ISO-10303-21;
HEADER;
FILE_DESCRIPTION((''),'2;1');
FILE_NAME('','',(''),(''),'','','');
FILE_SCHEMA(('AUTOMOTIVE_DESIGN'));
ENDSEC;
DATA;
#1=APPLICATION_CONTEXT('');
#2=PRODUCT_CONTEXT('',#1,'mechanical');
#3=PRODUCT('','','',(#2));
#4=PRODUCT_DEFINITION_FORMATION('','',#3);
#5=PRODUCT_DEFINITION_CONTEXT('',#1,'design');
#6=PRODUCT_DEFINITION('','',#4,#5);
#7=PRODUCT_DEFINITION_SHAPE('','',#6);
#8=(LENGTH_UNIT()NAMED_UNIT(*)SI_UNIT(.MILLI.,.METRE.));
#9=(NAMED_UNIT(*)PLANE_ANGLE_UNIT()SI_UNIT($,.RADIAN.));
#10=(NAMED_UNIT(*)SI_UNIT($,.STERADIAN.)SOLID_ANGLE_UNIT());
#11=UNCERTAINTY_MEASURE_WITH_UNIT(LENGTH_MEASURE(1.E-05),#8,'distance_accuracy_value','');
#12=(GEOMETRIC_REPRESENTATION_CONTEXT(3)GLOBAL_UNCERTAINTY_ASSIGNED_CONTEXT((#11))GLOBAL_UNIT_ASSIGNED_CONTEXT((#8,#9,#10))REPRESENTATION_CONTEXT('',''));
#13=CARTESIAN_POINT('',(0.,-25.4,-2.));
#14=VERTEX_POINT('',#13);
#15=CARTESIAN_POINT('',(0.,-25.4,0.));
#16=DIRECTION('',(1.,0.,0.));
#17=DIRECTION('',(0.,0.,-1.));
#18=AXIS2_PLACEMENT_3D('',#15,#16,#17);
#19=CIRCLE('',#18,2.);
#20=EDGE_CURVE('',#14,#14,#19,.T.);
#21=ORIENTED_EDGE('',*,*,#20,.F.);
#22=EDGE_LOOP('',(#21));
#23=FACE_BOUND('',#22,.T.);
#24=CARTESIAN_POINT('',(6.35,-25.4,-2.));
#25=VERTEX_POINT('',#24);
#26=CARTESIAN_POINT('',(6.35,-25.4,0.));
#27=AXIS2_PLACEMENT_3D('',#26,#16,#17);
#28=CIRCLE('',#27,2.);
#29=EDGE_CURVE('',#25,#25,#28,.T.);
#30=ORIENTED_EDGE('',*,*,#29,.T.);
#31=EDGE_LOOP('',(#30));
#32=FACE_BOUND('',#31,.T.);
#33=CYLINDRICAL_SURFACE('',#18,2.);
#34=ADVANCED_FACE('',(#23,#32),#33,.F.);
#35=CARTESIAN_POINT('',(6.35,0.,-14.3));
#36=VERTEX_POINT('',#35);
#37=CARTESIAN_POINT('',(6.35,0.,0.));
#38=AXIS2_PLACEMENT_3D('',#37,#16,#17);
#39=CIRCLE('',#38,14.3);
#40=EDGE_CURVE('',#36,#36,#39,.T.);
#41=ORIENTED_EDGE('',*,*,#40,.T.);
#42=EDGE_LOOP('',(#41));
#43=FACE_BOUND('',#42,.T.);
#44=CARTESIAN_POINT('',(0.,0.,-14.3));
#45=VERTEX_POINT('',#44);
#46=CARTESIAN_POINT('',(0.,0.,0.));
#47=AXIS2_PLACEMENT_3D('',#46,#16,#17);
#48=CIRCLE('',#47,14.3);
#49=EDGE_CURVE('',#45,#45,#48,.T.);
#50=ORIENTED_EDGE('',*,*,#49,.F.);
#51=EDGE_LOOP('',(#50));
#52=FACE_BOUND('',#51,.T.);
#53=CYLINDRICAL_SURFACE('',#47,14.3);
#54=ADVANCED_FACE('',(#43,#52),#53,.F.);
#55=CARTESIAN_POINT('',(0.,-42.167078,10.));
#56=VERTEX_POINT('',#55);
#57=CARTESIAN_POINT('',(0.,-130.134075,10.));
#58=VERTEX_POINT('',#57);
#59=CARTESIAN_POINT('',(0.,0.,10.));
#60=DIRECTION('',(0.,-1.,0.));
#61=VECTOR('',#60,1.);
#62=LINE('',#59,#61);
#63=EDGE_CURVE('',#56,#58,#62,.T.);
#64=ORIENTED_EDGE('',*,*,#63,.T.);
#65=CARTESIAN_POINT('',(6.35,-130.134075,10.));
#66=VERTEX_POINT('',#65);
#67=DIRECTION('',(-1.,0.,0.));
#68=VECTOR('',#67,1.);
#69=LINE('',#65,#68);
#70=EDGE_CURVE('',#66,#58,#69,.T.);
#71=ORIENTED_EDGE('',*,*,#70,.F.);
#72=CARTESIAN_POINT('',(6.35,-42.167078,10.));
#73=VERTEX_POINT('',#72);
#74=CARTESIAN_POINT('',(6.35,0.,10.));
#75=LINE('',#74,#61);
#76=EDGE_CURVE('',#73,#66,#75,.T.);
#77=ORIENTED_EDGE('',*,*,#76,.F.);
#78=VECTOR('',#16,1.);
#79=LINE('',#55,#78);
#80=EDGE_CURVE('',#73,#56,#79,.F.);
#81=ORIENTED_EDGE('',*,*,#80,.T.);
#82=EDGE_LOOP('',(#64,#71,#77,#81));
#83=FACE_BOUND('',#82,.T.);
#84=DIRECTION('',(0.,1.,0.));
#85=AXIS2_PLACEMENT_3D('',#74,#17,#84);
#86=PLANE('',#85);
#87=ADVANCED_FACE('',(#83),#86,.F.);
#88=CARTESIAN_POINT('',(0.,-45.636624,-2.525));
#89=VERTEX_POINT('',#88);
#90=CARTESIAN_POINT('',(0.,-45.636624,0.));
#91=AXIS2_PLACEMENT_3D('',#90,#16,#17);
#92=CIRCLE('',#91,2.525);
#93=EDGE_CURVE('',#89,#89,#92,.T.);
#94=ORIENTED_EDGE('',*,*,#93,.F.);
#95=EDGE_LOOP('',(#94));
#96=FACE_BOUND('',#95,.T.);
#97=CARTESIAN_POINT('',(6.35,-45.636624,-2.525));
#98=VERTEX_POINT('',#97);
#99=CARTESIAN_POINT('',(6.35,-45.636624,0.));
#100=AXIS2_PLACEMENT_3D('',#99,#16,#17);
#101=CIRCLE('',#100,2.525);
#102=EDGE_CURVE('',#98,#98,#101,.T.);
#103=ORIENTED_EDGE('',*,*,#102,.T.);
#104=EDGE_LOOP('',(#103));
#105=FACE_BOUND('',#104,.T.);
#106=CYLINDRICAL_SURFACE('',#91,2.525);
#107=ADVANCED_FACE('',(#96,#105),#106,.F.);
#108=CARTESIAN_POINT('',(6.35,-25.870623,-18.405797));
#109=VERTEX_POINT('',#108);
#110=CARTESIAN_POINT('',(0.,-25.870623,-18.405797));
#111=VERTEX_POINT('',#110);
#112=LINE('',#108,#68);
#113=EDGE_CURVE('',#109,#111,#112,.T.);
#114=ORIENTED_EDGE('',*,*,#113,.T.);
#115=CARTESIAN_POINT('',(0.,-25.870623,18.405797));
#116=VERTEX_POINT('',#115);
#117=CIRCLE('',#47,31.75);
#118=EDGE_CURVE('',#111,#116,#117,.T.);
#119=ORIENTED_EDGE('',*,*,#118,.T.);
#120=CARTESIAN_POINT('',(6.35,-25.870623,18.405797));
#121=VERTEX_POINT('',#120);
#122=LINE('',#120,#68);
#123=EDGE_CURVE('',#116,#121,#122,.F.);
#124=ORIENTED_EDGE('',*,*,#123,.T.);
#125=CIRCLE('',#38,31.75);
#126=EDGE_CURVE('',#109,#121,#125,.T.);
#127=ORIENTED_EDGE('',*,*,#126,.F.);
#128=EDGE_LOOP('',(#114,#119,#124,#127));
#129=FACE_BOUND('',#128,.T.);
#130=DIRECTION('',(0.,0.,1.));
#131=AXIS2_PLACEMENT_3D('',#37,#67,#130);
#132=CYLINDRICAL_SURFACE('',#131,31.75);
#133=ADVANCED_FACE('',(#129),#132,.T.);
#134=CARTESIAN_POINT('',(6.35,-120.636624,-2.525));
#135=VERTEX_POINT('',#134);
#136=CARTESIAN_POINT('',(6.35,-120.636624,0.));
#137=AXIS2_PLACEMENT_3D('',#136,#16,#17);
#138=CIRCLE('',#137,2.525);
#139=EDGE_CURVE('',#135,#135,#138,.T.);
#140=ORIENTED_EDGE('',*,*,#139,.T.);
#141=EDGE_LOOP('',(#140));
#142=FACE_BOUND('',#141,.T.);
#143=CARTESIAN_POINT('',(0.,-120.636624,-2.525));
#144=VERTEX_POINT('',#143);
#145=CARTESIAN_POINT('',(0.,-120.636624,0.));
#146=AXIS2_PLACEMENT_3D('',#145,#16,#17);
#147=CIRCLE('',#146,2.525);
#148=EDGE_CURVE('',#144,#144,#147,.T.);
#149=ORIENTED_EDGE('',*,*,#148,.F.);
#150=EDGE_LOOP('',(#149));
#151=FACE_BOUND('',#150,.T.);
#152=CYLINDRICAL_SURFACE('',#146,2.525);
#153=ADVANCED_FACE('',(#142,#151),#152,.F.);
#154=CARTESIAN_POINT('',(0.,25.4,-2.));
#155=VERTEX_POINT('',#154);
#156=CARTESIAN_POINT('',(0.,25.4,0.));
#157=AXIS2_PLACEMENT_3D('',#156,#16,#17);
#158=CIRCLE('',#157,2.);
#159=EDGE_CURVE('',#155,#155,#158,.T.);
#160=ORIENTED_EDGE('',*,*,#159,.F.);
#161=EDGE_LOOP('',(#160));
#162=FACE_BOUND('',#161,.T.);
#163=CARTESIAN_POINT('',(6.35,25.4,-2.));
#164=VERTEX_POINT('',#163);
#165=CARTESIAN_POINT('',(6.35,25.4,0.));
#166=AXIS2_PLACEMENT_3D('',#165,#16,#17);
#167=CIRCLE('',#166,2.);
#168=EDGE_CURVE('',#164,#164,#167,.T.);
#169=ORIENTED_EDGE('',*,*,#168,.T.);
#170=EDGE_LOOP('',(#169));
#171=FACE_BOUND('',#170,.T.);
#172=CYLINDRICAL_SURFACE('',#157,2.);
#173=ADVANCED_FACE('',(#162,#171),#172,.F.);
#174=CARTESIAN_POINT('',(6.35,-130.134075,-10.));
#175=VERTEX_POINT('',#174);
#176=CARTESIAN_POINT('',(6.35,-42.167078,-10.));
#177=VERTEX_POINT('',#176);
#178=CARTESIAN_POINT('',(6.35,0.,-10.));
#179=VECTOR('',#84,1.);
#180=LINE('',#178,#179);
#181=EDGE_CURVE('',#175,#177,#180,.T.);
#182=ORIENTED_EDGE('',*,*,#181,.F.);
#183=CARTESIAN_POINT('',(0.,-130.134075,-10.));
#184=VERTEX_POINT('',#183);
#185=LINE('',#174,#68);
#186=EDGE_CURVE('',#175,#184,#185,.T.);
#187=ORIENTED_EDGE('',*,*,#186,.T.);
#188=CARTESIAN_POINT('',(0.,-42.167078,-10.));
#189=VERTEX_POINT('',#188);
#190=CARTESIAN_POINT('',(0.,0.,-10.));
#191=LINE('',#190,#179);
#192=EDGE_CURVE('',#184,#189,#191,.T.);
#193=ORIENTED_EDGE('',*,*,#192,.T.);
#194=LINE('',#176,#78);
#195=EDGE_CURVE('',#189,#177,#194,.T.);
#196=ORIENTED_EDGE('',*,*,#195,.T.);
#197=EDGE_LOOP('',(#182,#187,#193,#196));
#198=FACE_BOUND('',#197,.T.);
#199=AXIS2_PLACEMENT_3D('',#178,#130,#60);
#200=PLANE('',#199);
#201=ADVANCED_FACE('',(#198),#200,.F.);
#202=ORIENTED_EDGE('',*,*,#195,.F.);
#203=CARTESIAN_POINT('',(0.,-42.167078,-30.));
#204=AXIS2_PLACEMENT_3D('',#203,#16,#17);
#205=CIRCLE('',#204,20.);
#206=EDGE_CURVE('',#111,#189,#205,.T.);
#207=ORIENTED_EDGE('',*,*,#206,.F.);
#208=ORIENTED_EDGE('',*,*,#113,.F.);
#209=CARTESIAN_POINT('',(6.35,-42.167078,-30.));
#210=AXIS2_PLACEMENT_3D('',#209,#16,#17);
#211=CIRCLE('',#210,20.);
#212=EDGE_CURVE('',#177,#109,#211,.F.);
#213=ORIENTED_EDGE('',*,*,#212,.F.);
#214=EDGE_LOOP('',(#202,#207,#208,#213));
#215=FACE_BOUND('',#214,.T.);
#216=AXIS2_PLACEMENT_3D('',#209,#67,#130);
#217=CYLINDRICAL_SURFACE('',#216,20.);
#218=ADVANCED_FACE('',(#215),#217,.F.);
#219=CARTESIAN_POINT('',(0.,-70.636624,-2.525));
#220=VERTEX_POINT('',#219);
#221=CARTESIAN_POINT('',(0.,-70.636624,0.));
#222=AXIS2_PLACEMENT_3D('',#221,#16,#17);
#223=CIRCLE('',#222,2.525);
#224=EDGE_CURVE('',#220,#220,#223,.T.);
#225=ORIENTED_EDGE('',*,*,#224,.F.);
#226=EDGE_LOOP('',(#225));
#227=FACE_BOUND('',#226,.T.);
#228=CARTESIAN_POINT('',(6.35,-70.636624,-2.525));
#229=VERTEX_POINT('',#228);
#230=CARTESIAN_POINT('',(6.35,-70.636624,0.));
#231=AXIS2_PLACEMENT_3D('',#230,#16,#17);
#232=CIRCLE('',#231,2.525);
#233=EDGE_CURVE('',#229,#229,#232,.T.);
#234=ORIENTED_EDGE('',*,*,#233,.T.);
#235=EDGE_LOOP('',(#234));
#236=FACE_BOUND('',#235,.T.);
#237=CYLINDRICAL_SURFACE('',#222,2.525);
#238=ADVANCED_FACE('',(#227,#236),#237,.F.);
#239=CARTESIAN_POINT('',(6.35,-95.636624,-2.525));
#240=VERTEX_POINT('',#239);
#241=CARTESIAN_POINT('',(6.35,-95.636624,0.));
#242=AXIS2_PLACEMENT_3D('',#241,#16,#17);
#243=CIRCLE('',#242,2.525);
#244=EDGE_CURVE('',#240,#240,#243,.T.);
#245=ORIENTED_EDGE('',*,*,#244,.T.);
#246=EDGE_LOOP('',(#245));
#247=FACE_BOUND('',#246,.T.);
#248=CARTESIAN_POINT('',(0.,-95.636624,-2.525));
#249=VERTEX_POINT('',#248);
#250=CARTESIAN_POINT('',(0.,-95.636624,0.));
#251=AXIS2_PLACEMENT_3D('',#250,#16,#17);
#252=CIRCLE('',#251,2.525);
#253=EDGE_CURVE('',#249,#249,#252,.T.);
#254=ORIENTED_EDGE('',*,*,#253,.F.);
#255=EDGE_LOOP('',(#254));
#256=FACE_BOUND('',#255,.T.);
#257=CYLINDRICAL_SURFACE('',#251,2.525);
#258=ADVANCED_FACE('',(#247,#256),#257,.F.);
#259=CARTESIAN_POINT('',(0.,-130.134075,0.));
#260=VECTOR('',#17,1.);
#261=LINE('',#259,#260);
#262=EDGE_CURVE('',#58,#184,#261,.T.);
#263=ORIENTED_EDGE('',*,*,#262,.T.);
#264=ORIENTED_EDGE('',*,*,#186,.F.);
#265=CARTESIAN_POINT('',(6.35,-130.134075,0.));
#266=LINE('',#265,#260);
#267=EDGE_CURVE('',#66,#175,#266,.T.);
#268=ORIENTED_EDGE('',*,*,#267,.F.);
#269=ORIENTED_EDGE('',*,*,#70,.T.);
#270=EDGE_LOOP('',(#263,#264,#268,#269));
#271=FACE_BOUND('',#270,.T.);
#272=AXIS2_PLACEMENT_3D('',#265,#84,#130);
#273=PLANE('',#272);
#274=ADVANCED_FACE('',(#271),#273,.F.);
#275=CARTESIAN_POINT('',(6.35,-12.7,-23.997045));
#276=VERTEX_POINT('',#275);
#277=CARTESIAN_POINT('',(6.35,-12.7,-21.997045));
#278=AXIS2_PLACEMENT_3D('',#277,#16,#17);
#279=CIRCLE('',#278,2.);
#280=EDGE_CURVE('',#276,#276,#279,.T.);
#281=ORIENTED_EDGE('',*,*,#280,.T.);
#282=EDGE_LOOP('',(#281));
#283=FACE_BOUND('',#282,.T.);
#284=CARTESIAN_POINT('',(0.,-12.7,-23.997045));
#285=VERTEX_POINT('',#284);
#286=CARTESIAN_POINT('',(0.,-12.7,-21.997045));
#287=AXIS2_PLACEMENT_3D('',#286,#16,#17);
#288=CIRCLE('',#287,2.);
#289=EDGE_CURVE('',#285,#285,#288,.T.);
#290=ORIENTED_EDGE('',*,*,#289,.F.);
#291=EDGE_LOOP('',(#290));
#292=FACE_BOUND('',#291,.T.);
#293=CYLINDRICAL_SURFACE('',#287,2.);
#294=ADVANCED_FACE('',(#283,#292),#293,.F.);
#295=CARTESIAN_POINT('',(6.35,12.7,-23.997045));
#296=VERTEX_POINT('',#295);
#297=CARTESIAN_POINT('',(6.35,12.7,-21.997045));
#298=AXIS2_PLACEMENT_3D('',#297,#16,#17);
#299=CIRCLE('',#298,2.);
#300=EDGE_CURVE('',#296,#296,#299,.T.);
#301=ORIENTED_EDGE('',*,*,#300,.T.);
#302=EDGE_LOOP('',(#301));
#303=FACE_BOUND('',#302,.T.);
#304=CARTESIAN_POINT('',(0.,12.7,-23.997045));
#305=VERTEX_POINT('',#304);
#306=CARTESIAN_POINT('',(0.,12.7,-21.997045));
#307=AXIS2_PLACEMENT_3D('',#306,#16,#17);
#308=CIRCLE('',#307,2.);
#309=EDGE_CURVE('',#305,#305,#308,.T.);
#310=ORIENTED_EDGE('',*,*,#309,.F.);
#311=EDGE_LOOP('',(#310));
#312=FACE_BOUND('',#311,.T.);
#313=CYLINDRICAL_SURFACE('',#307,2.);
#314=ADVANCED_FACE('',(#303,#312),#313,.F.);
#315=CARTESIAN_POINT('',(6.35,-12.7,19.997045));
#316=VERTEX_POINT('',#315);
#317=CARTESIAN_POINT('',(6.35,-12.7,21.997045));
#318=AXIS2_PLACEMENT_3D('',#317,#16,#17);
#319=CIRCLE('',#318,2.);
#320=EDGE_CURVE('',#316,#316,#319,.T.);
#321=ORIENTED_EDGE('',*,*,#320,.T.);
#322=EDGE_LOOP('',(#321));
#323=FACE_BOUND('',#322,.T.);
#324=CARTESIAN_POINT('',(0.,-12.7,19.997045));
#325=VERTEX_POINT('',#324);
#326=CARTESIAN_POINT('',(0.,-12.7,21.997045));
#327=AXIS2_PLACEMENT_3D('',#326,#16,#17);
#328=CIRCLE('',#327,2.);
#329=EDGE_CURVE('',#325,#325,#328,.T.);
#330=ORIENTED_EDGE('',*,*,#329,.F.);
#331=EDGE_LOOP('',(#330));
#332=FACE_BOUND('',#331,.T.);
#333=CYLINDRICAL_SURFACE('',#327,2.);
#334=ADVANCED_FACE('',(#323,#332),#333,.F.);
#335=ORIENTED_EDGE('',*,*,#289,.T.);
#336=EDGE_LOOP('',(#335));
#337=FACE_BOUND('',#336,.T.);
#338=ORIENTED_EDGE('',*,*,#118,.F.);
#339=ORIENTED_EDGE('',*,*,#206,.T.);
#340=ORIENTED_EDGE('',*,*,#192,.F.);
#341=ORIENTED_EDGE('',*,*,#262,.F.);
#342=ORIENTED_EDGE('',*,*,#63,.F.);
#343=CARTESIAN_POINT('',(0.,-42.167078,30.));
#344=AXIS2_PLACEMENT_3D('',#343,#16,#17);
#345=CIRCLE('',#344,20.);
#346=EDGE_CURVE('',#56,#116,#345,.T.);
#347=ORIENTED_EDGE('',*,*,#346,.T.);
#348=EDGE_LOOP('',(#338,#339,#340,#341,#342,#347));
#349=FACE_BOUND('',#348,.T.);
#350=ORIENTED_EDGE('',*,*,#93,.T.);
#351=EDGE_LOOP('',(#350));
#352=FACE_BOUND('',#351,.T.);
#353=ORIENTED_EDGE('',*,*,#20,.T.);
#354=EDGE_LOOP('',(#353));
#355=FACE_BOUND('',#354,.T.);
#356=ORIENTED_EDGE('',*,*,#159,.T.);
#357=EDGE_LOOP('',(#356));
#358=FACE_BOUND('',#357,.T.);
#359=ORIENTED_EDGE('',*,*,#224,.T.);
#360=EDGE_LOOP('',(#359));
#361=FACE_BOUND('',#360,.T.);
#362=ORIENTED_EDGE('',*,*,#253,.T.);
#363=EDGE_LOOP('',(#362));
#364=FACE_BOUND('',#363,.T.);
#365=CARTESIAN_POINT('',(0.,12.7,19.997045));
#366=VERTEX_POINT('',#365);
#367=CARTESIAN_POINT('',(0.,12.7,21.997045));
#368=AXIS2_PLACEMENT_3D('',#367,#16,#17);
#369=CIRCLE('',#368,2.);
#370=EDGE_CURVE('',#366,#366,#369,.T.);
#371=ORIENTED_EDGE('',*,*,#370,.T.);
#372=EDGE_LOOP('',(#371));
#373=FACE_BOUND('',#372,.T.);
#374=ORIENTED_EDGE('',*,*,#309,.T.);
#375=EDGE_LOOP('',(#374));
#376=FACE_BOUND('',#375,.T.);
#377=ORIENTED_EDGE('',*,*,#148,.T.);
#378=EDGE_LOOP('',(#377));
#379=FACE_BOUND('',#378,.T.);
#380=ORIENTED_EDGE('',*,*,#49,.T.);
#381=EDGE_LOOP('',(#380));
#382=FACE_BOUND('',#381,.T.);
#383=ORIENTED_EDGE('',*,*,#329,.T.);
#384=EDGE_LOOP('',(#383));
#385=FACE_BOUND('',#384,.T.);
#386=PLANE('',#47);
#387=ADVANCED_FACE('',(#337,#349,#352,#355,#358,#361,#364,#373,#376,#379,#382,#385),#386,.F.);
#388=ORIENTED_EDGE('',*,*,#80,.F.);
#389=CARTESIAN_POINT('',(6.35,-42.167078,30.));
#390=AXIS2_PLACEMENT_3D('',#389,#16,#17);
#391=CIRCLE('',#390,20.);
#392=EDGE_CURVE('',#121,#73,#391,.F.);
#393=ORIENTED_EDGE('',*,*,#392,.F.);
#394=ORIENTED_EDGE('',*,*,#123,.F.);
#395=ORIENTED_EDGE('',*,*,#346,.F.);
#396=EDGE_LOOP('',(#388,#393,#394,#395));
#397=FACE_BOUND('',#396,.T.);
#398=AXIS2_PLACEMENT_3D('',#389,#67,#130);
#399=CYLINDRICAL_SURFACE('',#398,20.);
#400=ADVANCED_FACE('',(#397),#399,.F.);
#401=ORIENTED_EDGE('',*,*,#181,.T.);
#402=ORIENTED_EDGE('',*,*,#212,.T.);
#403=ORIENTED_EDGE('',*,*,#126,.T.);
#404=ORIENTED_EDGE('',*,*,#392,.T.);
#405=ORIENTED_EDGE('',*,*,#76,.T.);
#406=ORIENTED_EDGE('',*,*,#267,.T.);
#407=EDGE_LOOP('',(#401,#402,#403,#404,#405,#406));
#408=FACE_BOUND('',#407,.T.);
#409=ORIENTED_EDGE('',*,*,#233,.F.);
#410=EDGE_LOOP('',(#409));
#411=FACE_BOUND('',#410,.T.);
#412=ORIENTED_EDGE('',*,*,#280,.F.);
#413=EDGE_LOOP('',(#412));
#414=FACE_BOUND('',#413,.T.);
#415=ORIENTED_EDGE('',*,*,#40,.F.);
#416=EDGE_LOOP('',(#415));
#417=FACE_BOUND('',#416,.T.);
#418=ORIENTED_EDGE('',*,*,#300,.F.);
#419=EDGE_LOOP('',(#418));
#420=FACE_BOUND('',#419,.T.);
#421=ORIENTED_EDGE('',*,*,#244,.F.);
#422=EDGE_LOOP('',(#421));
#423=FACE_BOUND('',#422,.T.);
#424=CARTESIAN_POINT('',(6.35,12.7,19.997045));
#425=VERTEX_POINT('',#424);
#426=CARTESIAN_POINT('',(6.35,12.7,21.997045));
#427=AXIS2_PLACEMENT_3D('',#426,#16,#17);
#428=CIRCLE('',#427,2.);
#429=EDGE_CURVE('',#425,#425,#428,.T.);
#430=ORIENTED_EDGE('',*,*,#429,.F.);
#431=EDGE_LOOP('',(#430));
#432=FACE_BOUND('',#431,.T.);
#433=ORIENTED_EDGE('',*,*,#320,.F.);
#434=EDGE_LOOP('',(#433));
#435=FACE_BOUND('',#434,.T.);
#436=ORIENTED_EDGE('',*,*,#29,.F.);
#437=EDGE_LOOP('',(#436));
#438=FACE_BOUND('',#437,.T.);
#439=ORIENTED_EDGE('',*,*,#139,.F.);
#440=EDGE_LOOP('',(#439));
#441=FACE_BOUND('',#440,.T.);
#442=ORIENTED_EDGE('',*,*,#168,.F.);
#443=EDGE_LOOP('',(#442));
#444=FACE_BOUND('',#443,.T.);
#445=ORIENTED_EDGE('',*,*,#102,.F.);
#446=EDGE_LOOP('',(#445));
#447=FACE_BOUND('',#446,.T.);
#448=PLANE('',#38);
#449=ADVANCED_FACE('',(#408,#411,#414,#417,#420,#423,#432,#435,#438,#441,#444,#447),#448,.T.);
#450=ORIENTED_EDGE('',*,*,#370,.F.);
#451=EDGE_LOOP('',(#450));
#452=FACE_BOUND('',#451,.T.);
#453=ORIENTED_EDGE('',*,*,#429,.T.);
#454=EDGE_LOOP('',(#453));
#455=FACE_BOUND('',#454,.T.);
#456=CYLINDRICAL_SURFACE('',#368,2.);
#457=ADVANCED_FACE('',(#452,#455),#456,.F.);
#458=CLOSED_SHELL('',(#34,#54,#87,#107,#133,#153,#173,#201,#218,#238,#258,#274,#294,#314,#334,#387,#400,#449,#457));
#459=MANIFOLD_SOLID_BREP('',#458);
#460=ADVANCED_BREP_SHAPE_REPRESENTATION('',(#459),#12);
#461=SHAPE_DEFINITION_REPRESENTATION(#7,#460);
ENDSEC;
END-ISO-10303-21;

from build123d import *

# Parameters (mm, degrees)
BOSS_EXTRUDE1_DEPTH = 6.35
FILLET1_R           = 20
SKETCH2_R           = 14.3
SKETCH2_R_2         = 2
CUT_EXTRUDE1_DEPTH  = 7.35
SKETCH3_R           = 2.525
CUT_EXTRUDE2_DEPTH  = 7.35


with BuildPart() as part:
    # Sketch1 → Boss-Extrude1 (new body)
    with BuildSketch(Plane(origin=(0, 0, 0), x_dir=(0, 0, -1), z_dir=(1, 0, 0))):
        with BuildLine():
            Line((-10, -30.134075396), (-10, -130.134075396))
            Line((-10, -130.134075396), (10, -130.134075396))
            Line((10, -130.134075396), (10, -30.134075396))
            ThreePointArc((10, -30.134075396), (0, 31.75), (-10, -30.134075396))
        make_face()
    extrude(amount=BOSS_EXTRUDE1_DEPTH)

    # Fillet1
    fillet1_edges = [part.edges().sort_by_distance(p)[0] for p in [
        (3.175, -30.134075396, -10),
        (3.175, -30.134075396, 10),
    ]]
    fillet(fillet1_edges, radius=FILLET1_R)

    # Sketch2 → Cut-Extrude1 (cut, through all)
    with BuildSketch(Plane(origin=(6.35, 0, 0), x_dir=(0, 0, -1), z_dir=(1, 0, 0))):
        Circle(SKETCH2_R)
        with Locations((0, 25.4)):
            Circle(SKETCH2_R_2)
        with Locations((21.997045256, 12.7)):
            Circle(SKETCH2_R_2)
        with Locations((21.997045256, -12.7)):
            Circle(SKETCH2_R_2)
        with Locations((0, -25.4)):
            Circle(SKETCH2_R_2)
        with Locations((-21.997045256, -12.7)):
            Circle(SKETCH2_R_2)
        with Locations((-21.997045256, 12.7)):
            Circle(SKETCH2_R_2)
    extrude(amount=-CUT_EXTRUDE1_DEPTH, mode=Mode.SUBTRACT)

    # Sketch3 → Cut-Extrude2 (cut, through all)
    with BuildSketch(Plane(origin=(6.35, 0, 0), x_dir=(0, 0, -1), z_dir=(1, 0, 0))):
        with Locations((0, -120.63662428)):
            Circle(SKETCH3_R)
        with Locations((0, -95.63662428)):
            Circle(SKETCH3_R)
        with Locations((0, -70.63662428)):
            Circle(SKETCH3_R)
        with Locations((0, -45.63662428)):
            Circle(SKETCH3_R)
    extrude(amount=-CUT_EXTRUDE2_DEPTH, mode=Mode.SUBTRACT)


solid = part.part
